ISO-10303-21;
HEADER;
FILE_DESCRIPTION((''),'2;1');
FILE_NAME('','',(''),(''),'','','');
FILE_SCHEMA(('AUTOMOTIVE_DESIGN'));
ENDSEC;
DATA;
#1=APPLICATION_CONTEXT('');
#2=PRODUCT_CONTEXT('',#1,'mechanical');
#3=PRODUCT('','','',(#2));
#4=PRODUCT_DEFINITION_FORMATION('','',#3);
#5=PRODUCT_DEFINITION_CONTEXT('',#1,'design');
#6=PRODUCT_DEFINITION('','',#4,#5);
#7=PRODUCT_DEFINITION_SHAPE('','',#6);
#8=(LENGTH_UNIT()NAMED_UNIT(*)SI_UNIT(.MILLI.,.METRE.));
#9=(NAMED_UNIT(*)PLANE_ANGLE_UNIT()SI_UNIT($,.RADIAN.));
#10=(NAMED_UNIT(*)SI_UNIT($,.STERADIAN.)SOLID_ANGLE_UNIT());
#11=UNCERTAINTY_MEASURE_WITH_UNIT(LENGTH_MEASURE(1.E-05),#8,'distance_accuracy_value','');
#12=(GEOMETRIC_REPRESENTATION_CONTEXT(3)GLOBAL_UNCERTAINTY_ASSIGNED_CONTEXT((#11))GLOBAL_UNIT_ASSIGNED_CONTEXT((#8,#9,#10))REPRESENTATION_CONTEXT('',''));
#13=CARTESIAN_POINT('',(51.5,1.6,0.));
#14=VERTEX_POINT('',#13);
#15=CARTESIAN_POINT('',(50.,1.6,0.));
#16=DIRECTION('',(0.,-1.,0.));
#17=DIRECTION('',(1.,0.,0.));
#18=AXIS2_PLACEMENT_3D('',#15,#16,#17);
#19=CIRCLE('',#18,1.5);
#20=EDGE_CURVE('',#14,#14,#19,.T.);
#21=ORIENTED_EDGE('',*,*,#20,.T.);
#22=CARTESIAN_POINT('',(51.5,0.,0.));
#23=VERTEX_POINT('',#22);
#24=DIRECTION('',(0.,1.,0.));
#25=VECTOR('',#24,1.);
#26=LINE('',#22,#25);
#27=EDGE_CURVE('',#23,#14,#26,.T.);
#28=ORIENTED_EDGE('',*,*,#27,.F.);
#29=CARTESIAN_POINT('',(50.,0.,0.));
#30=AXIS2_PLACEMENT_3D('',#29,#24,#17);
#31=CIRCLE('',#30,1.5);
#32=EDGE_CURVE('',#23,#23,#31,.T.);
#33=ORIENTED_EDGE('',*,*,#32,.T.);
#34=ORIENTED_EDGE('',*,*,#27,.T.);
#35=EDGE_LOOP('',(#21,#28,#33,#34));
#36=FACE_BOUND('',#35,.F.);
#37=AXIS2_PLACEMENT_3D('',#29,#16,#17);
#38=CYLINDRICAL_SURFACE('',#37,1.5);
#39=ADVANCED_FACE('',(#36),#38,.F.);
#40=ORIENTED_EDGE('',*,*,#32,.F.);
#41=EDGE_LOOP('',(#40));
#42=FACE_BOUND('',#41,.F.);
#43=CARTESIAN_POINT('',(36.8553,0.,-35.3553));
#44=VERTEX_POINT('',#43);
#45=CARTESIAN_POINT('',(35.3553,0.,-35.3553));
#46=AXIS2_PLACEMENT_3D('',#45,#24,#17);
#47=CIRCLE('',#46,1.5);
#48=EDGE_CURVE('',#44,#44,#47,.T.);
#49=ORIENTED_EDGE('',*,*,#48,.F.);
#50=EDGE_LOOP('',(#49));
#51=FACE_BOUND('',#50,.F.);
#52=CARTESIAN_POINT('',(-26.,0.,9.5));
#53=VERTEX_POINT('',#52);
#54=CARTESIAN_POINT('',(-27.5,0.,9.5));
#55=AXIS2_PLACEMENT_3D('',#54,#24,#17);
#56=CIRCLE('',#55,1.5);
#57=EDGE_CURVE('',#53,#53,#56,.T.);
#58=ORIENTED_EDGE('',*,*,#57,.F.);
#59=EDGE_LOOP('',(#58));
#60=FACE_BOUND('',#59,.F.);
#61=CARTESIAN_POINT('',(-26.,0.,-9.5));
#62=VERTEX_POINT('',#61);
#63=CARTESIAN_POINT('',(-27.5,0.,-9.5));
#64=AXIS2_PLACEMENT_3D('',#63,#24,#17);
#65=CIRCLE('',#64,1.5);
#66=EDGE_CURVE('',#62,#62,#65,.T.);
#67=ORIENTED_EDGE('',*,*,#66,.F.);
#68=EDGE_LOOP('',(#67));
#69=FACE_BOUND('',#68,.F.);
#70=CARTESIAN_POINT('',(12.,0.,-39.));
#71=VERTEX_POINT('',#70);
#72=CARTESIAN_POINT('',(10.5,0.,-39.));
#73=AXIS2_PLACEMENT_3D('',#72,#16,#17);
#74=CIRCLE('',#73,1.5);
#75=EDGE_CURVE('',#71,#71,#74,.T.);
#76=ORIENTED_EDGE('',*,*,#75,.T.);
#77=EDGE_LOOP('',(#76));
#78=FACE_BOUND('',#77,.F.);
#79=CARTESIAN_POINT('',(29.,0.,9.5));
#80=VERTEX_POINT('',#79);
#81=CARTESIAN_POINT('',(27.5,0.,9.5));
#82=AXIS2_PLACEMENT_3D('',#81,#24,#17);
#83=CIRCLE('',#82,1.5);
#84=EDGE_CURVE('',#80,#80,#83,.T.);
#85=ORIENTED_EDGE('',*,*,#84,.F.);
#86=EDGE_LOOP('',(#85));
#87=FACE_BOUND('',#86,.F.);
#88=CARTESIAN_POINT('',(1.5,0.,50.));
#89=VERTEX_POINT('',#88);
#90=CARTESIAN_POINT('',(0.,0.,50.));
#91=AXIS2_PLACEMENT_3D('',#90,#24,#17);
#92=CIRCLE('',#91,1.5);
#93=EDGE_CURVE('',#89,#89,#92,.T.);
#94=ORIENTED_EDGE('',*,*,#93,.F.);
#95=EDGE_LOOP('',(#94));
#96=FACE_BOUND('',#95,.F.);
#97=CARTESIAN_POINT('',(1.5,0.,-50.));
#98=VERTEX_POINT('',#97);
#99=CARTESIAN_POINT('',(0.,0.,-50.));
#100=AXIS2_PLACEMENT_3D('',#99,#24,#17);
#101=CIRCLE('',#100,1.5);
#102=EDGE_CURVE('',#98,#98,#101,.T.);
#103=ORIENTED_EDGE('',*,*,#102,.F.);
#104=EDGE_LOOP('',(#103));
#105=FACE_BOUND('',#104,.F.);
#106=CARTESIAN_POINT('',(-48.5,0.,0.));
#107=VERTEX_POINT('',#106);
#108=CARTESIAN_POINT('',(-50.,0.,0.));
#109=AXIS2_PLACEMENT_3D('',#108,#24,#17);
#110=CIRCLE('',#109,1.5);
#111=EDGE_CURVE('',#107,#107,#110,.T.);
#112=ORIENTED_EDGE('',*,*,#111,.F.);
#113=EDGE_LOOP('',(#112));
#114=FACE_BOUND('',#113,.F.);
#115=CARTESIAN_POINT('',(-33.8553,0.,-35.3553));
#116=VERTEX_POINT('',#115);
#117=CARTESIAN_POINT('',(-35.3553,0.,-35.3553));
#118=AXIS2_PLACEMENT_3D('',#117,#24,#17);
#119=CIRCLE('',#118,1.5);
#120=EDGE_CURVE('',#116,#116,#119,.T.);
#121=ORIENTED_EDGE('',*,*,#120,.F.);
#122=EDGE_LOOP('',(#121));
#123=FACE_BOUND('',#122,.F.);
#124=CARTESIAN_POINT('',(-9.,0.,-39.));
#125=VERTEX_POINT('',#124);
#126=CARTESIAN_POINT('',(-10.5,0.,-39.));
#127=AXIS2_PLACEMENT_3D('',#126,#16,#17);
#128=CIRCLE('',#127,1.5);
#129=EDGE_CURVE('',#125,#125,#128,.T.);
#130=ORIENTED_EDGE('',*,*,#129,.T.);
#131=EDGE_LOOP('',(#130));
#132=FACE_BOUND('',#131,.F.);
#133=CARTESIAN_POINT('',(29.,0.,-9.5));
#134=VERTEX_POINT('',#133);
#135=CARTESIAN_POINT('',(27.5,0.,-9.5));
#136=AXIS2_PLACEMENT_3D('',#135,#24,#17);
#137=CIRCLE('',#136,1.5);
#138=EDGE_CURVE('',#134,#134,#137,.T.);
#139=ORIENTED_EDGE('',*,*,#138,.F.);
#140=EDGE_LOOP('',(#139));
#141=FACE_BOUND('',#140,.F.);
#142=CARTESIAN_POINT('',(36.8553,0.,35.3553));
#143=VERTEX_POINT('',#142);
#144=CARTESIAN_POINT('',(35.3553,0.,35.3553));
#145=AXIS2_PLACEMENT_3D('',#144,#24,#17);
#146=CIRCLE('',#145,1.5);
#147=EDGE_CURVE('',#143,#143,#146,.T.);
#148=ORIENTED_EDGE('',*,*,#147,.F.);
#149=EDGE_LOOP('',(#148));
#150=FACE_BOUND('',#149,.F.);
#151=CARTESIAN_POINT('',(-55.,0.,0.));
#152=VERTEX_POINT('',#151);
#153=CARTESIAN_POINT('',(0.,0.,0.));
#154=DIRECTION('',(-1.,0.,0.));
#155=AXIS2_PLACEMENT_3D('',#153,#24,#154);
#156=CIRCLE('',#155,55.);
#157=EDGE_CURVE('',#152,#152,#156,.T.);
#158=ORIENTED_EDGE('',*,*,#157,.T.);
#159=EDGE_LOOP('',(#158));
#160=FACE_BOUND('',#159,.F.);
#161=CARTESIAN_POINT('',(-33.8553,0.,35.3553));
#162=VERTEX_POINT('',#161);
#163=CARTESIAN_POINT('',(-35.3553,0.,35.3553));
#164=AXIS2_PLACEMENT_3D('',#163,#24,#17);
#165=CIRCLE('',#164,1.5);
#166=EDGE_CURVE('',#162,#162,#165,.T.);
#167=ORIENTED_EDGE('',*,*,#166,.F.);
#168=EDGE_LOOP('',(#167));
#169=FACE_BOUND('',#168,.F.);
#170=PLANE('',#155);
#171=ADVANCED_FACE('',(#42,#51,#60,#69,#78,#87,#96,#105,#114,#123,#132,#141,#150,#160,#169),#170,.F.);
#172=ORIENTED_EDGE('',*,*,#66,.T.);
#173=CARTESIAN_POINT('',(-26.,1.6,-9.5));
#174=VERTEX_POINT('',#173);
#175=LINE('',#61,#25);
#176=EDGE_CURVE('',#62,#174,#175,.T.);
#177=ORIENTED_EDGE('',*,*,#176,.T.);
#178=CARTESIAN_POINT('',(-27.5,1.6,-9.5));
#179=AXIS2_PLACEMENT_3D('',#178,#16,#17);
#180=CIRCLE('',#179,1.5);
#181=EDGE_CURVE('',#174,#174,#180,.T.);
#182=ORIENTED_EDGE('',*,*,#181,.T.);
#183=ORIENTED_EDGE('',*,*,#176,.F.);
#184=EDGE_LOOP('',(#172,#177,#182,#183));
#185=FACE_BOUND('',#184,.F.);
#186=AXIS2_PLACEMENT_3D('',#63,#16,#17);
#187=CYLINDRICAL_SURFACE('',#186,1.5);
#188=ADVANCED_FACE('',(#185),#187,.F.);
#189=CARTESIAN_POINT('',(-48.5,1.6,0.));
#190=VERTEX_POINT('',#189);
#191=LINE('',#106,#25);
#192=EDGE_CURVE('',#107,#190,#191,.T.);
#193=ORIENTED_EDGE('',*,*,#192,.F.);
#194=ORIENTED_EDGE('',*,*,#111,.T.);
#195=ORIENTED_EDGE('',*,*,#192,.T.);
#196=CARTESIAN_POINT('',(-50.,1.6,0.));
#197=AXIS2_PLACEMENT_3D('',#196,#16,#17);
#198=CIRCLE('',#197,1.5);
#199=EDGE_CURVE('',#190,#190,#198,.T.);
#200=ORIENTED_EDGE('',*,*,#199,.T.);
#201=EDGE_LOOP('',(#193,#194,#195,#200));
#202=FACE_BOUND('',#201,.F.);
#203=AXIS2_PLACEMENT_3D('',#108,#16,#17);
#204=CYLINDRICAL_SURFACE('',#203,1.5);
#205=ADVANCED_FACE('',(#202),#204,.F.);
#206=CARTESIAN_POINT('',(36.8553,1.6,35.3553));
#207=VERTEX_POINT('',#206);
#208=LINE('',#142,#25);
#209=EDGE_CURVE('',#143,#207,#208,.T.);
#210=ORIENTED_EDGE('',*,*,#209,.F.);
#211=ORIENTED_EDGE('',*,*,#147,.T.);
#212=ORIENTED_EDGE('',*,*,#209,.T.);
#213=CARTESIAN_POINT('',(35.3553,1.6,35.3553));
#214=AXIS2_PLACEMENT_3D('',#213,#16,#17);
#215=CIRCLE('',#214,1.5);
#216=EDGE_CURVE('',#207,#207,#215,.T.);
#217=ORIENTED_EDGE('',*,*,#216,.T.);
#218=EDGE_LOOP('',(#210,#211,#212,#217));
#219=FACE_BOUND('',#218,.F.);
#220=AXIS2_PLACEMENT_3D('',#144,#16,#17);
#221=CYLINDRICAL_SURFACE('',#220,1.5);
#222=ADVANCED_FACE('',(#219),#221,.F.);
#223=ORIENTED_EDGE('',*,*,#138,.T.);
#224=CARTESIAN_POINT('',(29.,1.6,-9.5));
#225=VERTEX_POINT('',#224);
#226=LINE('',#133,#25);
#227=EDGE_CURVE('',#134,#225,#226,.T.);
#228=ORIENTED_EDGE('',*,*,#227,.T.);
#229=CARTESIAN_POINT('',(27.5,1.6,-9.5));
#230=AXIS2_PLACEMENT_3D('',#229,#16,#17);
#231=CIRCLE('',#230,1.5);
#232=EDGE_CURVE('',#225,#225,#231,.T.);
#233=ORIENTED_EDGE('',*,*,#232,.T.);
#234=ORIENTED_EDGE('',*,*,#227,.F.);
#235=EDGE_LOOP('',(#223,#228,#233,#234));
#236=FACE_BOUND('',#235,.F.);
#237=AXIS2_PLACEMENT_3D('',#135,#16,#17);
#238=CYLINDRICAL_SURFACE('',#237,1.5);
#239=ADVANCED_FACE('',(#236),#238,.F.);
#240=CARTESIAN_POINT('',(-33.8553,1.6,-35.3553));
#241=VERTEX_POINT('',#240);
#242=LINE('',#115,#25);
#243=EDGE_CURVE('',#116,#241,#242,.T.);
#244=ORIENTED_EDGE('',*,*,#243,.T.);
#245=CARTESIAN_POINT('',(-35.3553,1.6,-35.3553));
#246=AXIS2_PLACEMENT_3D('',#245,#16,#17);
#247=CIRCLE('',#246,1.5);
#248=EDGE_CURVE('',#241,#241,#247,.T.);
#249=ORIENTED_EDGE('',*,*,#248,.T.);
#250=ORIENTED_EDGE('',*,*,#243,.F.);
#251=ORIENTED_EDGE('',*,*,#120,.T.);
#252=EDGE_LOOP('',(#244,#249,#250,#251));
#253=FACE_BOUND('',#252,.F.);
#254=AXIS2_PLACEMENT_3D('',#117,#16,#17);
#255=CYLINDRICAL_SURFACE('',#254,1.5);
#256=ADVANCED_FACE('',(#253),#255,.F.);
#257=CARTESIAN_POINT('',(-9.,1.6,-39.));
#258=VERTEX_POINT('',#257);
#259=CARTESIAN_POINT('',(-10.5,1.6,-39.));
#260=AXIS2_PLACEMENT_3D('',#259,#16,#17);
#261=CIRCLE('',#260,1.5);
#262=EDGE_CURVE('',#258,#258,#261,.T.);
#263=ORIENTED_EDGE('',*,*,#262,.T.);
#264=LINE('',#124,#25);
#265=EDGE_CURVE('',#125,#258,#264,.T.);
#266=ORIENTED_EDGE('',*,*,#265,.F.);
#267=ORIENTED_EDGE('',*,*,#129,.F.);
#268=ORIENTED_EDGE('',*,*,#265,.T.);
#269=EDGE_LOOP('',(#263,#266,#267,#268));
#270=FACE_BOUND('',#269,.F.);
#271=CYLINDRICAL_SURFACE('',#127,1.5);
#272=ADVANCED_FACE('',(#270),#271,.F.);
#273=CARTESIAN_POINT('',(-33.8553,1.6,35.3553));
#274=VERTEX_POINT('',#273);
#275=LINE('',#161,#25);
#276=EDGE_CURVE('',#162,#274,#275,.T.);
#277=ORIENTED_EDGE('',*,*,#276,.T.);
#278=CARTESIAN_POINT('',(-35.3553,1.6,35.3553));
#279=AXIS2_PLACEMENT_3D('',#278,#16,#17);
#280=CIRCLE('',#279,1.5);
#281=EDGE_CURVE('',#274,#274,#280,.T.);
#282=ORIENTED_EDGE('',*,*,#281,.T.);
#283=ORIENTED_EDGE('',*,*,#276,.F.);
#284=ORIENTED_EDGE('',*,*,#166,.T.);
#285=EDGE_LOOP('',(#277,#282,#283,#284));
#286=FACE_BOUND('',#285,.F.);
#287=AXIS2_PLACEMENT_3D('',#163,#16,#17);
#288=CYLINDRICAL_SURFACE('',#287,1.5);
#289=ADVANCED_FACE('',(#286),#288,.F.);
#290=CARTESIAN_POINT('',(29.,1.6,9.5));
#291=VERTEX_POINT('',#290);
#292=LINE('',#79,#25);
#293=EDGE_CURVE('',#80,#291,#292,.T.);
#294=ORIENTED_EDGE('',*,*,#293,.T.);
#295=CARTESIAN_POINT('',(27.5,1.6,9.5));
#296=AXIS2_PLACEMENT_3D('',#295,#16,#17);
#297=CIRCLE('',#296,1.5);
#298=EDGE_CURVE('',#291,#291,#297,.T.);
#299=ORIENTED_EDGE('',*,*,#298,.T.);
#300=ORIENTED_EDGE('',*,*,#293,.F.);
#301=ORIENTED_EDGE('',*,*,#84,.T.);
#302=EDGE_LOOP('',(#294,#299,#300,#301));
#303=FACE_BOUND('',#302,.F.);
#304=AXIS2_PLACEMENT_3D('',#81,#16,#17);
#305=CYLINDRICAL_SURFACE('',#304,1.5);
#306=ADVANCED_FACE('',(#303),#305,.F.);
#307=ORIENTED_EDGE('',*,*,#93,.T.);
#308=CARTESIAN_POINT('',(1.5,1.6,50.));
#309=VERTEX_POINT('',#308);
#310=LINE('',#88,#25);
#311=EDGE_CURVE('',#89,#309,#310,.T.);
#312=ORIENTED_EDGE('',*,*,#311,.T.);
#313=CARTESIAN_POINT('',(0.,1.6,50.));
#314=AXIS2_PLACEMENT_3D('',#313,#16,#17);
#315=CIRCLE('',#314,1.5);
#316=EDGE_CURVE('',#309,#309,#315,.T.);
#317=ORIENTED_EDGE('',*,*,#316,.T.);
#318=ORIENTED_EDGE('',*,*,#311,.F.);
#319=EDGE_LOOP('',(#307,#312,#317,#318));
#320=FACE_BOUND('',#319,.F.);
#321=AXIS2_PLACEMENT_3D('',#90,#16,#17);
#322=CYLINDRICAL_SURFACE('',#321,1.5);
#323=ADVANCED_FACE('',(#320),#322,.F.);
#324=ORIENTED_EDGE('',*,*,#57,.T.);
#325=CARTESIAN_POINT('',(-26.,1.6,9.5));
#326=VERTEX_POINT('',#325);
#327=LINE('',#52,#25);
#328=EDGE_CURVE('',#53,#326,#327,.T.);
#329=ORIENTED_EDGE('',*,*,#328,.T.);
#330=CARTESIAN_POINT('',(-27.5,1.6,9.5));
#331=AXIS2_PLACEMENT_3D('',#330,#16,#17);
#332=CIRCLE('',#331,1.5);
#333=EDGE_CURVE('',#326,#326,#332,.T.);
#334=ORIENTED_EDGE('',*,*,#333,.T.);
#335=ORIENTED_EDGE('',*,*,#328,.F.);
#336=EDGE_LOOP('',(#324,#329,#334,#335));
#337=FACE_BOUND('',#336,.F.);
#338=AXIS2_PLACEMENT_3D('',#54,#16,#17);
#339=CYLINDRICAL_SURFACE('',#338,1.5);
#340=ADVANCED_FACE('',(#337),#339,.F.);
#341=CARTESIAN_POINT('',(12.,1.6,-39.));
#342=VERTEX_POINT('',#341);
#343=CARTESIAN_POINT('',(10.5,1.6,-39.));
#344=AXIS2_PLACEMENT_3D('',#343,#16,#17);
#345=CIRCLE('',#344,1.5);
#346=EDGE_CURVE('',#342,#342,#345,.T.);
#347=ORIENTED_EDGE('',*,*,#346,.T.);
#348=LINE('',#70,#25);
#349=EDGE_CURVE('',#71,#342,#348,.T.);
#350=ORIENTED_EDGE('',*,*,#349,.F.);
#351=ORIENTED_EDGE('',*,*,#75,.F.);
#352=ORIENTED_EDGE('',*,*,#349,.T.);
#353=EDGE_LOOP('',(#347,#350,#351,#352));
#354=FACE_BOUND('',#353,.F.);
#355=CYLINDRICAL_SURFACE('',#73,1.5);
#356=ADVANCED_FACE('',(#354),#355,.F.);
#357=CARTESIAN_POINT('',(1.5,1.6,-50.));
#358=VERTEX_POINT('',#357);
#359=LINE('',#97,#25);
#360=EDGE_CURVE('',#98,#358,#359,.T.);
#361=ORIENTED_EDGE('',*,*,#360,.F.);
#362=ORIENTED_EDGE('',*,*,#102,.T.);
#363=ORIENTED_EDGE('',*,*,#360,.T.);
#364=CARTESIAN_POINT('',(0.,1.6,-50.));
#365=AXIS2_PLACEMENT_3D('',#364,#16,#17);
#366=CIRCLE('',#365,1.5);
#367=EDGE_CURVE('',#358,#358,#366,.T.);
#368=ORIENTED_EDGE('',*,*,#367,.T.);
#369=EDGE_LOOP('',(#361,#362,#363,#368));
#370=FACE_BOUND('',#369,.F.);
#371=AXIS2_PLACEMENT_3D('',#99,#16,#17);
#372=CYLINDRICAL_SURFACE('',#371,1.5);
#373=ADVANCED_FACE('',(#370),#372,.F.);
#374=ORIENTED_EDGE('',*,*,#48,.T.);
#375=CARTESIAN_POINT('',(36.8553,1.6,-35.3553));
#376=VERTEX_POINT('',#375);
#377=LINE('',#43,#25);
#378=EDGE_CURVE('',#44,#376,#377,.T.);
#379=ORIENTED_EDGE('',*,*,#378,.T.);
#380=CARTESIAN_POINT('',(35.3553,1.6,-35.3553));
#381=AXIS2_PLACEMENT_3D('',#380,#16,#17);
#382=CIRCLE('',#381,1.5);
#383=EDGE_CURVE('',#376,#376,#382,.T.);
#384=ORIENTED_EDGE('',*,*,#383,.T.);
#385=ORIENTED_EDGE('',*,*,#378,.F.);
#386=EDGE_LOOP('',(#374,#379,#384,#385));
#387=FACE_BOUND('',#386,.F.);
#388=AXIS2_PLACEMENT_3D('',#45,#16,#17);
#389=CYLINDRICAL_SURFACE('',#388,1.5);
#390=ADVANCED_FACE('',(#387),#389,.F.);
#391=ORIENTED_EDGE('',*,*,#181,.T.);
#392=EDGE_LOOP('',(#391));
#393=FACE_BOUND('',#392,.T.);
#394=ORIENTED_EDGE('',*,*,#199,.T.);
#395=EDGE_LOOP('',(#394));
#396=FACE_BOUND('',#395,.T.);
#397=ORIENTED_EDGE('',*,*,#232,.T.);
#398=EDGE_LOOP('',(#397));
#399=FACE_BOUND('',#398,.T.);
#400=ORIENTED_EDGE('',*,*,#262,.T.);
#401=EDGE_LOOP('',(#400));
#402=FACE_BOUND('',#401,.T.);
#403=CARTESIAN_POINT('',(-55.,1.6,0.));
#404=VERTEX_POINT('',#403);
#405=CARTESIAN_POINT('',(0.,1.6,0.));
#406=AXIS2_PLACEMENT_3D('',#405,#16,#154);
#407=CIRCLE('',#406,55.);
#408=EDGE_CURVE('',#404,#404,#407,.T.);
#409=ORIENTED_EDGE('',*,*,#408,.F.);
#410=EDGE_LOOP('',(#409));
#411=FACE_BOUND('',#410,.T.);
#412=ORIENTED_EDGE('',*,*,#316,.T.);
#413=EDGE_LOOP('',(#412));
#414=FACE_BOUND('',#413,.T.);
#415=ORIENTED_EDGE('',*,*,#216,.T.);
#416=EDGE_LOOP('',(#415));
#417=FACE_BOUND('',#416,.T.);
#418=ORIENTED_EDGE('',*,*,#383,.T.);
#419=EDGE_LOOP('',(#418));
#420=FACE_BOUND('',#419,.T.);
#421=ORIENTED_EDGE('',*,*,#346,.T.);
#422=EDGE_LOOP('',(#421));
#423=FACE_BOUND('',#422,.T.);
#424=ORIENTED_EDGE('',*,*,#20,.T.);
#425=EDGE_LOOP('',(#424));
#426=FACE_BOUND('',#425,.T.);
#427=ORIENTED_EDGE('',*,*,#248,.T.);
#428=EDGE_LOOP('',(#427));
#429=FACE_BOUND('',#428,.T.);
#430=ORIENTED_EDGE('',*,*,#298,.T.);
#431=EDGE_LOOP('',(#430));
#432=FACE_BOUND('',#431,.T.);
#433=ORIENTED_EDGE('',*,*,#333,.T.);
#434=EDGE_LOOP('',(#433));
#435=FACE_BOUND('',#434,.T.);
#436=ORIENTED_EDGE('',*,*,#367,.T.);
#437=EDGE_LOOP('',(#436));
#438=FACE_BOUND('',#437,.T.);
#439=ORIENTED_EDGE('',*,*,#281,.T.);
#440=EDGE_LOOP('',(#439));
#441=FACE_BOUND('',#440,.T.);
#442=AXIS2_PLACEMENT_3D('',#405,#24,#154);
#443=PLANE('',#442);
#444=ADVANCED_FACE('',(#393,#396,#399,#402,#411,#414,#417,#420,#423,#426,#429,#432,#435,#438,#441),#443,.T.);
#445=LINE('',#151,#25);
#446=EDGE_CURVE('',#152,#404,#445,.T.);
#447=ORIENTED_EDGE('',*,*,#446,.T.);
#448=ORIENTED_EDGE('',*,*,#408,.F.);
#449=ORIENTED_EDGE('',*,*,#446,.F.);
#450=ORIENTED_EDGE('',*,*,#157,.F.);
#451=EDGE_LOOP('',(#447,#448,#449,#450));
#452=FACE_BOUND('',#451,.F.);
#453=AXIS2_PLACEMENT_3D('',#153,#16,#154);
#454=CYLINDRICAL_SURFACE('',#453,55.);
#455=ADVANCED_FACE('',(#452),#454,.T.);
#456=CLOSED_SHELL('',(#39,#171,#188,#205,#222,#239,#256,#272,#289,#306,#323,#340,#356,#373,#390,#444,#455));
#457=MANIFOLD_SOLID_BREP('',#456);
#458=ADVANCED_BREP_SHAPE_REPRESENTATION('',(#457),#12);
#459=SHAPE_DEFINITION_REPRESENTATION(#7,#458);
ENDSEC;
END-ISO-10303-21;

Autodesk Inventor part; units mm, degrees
ref_plane "YZ Plane" through (0, 0, 0) normal (1, 0, 0) x (0, 1, 0)
ref_plane "XZ Plane" through (0, 0, 0) normal (0, 1, 0) x (-1, 0, 0)
ref_plane "XY Plane" through (0, 0, 0) normal (0, 0, 1) x (1, 0, 0)
sketch "Эскиз1" plane through (0, 0, 0) normal (0, 1, 0) x (-1, 0, 0)
  circle A0 centre (0, 0) radius 55
  line L0 (79.4555, 0) -> (-79.4555, 0)
  line L1 (0, -103.8803) -> (0, 88.3129)
  line L2 (38.15, -21.1) -> (-38.15, -21.1)
  line L3 (-38.15, -21.1) -> (-38.15, 21.1)
  line L4 (-38.15, 21.1) -> (38.15, 21.1)
  line L5 (38.15, 21.1) -> (38.15, -21.1)
  dimension "d0" = 110
  dimension "d60" = 76.3
  dimension "d61" = 42.2
extrude "Выдавливание1" add sketch "Эскиз1" along normal blind 1.6
sketch "Эскиз2" plane through (0, 0, 0) normal (0, -1, 0) x (1, 0, 0)
  circle A0 centre (0, 0) radius 55 projected
  line L0 (0, -103.8803) -> (0, 88.3129)
  line L1 (-79.4555, 0) -> (79.4555, 0) projected
  circle A1 centre (0, 0) radius 50
  circle A2 centre (0, -50) radius 1.5
  circle A3 centre (50, 0) radius 1.5
  circle A4 centre (0, 50) radius 1.5
  circle A5 centre (-50, 0) radius 1.5
  circle A6 centre (35.3553, -35.3553) radius 1.5
  circle A7 centre (50, 0) radius 1.5
  circle A8 centre (35.3553, 35.3553) radius 1.5
  circle A9 centre (0, 50) radius 1.5
  circle A10 centre (-35.3553, 35.3553) radius 1.5
  circle A11 centre (-50, 0) radius 1.5
  circle A12 centre (-35.3553, -35.3553) radius 1.5
  line L2 (38.15, -20) -> (-39.85, -20)
  line L3 (-39.85, -20) -> (-39.85, 20)
  line L4 (-39.85, 20) -> (38.15, 20)
  line L5 (38.15, 20) -> (38.15, -20)
  line L6 (-27.5, 9.5) -> (27.5, 9.5)
  line L7 (27.5, 9.5) -> (27.5, -9.5)
  line L8 (27.5, -9.5) -> (-27.5, -9.5)
  line L9 (-27.5, -9.5) -> (-27.5, 9.5)
  circle A13 centre (27.5, 9.5) radius 1.5
  circle A14 centre (-27.5, 9.5) radius 1.5
  circle A15 centre (-27.5, -9.5) radius 1.5
  circle A16 centre (27.5, -9.5) radius 1.5
  circle A17 centre (0, -50) radius 1.5
  circle A18 centre (-10.5, -39) radius 1.5
  circle A19 centre (10.5, -39) radius 1.5
  point P0 (11.9394, -0.2)
  dimension "d22" = 3
  dimension "d23" = 3
  dimension "d25" = 3
  dimension "d26" = 3
  dimension "d30" = 360
  dimension "d62" = 78
  dimension "d63" = 40
  dimension "d70" = 110
  dimension "d71" = 55
  dimension "d72" = 19
  dimension "d73" = 3
  dimension "d74" = 3
  dimension "d75" = 3
  dimension "d76" = 3
extrude "Выдавливание2" cut sketch "Эскиз2" against normal blind 1.6 contours A3 A1 L1 | L1 A1 A3 | A4 A1 L0 | L0 A1 A4 | A2 A1 L0 | L0 A1 A2 | A1 A3 L1 | L1 A3 A1 | A5 A1 L1 | L1 A1 A5 | A1 A4 L0 | L0 A4 A1 | A1 A2 L0 | L0 A2 A1 | A8 A1 | A1 A8 | A6 A1 | A1 A6 | A1 A5 L1 | L1 A5 A1 | A10 A1 | A1 A10 | A12 A1 | A1 A12
extrude "Выдавливание5" [suppressed]
extrude "Выдавливание6" cut sketch "Эскиз2" against normal blind 10 contours A13 L6 L7 | L7 L6 A13 | A16 L8 L7 | L7 L8 A16 | A14 L9 L6 | L6 L9 A14 | A15 L9 L8 | L8 L9 A15 | A18 | A19
properties part number "pcbCase_last" material "Пластик АБС"
